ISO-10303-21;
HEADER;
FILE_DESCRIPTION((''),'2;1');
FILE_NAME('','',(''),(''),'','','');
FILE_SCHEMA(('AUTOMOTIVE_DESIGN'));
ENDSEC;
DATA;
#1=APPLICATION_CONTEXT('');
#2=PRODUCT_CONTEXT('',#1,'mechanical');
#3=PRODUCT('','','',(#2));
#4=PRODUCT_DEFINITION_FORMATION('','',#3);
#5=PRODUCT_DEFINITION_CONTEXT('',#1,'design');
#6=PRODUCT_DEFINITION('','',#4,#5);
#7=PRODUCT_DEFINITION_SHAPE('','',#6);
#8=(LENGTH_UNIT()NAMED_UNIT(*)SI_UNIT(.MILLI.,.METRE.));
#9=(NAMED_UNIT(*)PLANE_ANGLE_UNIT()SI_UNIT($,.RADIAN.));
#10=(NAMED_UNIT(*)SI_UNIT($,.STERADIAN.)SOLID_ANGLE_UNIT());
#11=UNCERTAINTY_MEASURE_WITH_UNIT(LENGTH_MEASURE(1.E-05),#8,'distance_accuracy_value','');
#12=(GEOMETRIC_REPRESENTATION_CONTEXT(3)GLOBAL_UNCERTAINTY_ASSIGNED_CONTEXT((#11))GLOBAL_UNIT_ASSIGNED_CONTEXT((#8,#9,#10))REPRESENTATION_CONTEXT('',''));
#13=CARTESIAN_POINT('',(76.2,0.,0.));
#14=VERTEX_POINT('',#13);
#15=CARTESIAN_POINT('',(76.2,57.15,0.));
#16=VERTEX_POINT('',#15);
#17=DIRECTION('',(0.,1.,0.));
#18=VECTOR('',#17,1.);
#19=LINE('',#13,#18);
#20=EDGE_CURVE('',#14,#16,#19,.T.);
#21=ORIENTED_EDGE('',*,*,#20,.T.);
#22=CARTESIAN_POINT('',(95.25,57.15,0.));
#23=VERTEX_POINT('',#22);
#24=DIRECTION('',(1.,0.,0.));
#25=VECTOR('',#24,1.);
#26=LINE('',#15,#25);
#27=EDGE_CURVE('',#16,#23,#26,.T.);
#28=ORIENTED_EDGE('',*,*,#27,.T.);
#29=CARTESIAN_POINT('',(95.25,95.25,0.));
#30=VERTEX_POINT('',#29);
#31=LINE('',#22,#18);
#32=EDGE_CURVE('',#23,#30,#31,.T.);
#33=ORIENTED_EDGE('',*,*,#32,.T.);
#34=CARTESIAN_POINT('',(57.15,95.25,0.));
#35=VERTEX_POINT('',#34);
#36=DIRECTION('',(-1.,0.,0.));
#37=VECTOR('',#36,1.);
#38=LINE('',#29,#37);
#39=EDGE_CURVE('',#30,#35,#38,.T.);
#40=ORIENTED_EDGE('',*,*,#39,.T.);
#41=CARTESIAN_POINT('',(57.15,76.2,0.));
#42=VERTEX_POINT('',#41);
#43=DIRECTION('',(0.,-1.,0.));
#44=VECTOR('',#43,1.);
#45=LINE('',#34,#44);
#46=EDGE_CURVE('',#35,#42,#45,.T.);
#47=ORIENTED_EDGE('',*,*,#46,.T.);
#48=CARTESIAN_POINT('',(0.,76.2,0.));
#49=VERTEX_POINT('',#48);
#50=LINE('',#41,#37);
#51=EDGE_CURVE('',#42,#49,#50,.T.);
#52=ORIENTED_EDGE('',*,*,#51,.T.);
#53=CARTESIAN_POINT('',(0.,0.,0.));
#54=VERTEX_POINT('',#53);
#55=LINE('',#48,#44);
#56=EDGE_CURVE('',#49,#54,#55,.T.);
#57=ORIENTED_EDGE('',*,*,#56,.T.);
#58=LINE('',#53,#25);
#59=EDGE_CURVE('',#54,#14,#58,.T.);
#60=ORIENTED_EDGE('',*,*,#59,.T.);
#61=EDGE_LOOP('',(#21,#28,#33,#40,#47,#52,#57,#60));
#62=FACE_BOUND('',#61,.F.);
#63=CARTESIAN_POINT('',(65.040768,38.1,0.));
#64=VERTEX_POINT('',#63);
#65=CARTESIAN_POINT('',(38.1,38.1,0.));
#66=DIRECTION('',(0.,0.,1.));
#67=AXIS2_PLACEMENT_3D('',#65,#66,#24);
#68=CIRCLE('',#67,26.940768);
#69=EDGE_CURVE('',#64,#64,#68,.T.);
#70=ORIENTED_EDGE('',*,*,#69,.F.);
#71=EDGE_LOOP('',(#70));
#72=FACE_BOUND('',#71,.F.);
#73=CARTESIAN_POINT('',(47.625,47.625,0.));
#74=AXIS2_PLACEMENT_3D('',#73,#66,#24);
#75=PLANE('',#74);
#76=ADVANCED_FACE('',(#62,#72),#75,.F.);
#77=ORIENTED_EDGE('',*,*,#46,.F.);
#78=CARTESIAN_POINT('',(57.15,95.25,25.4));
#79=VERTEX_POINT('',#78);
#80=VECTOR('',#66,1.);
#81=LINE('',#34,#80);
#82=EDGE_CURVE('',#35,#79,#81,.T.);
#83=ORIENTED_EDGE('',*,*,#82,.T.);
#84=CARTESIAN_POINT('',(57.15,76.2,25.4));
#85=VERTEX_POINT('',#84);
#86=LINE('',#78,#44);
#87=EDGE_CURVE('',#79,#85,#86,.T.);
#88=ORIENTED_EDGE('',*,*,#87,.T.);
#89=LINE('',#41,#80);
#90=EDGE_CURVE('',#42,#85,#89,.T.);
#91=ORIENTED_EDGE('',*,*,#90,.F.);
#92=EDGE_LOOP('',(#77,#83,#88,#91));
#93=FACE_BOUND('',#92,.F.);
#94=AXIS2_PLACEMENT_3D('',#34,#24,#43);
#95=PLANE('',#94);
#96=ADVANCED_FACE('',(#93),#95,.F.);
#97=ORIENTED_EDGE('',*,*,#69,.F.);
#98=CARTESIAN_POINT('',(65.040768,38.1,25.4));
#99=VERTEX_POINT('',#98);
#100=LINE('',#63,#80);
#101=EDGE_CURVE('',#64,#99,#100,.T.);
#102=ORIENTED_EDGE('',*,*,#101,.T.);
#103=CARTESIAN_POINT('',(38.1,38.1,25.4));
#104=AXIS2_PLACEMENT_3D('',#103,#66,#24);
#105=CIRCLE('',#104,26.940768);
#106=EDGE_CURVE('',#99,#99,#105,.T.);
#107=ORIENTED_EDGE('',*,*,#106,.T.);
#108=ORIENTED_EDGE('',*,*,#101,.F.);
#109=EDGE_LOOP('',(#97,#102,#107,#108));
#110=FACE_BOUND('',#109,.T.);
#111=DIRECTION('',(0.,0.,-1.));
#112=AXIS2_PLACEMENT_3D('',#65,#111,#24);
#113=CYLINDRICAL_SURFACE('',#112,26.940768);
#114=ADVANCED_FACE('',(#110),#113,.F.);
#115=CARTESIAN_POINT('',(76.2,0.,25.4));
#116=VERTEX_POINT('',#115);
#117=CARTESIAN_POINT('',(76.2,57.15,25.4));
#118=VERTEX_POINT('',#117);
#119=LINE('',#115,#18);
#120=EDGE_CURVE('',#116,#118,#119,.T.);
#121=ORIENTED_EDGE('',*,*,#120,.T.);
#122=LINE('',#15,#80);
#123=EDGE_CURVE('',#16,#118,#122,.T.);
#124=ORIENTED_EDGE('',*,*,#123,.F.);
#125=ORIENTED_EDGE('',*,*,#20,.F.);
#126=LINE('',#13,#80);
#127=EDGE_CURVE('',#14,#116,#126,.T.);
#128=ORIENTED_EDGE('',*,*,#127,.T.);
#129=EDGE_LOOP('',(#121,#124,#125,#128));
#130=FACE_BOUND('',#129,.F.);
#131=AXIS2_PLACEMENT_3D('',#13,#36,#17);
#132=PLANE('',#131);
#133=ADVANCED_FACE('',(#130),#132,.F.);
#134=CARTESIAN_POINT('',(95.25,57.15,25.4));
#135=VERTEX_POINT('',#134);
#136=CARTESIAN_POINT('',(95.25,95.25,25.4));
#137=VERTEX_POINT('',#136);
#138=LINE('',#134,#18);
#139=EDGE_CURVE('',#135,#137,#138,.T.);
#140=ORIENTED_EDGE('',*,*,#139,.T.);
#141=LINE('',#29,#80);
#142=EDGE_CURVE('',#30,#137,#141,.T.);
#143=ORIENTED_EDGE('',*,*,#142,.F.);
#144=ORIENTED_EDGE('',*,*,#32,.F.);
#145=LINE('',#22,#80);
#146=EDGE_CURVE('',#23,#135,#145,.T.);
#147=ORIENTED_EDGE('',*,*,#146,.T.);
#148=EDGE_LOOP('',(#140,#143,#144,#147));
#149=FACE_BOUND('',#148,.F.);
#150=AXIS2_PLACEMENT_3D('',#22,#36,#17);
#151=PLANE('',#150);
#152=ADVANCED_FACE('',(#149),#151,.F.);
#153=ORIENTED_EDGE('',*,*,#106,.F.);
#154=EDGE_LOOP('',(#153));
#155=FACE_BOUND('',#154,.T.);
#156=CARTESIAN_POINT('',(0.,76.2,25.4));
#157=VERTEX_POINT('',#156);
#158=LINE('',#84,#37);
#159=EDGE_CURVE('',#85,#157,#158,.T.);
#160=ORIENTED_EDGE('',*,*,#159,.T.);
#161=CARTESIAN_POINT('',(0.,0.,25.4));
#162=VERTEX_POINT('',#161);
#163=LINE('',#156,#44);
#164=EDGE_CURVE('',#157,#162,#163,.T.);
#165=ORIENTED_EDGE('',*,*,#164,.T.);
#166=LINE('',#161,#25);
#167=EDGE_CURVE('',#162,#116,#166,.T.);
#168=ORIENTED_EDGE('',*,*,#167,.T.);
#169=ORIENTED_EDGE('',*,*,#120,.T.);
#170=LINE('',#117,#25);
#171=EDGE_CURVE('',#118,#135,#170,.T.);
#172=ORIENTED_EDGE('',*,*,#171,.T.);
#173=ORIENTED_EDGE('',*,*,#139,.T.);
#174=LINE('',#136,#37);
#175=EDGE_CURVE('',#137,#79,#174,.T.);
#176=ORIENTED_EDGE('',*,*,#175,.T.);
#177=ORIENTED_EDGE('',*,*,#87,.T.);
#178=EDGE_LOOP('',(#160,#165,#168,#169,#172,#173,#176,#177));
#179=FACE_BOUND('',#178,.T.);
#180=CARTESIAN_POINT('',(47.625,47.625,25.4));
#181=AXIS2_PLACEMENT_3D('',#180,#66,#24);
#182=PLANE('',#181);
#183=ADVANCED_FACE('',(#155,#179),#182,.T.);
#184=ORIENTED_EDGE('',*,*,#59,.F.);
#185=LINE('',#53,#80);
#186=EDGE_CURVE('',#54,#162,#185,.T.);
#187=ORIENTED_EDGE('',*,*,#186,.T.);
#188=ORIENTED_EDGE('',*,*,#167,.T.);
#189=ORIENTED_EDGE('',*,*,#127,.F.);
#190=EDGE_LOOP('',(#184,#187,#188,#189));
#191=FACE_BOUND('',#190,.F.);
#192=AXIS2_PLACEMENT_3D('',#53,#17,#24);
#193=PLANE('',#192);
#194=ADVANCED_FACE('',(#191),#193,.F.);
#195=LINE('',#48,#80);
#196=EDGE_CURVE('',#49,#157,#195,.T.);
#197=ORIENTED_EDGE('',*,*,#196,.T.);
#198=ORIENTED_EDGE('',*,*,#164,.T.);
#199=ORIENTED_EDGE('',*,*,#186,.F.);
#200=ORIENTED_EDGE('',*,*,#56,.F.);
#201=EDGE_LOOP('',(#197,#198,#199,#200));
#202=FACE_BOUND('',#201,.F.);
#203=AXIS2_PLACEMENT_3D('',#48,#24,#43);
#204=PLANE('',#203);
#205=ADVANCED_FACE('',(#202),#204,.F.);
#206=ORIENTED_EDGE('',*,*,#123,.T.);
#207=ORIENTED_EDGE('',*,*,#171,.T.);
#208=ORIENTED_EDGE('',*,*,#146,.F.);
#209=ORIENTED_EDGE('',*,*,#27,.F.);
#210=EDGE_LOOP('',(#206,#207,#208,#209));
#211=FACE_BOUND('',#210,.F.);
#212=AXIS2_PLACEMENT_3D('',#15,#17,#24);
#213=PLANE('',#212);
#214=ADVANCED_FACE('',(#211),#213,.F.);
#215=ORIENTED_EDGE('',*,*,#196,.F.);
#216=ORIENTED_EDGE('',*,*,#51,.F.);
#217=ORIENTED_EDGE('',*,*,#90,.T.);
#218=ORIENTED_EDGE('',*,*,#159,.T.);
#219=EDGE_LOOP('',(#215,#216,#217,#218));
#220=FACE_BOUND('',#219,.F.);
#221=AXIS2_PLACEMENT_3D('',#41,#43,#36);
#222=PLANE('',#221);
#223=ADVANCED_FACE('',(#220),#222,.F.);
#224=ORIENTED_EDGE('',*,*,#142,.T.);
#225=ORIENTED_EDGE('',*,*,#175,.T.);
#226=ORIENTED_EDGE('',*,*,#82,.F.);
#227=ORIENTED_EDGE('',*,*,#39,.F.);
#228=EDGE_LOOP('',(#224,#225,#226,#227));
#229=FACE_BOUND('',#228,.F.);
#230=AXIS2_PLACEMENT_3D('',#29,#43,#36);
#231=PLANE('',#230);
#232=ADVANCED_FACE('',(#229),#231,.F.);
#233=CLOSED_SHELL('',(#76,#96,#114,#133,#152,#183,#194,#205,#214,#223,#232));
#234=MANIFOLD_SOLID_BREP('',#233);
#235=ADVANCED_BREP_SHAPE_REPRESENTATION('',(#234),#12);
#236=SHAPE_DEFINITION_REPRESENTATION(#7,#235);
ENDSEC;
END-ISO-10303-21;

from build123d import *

# Parameters (mm, degrees)
F0_R     = 26.940768
F1_DEPTH = 25.4


with BuildPart() as f1:
    # F0 (on Top) → F1 (new body)
    with BuildSketch(Plane.XY):
        Polygon((0, 76.2), (0, 0), (76.2, 0), (76.2, 57.15), (95.25, 57.15), (95.25, 95.25), (57.15, 95.25), (57.15, 76.2), align=None)
        with Locations((38.1, 38.1)):
            Circle(F0_R, mode=Mode.SUBTRACT)
    extrude(amount=F1_DEPTH)


solid = f1.part
